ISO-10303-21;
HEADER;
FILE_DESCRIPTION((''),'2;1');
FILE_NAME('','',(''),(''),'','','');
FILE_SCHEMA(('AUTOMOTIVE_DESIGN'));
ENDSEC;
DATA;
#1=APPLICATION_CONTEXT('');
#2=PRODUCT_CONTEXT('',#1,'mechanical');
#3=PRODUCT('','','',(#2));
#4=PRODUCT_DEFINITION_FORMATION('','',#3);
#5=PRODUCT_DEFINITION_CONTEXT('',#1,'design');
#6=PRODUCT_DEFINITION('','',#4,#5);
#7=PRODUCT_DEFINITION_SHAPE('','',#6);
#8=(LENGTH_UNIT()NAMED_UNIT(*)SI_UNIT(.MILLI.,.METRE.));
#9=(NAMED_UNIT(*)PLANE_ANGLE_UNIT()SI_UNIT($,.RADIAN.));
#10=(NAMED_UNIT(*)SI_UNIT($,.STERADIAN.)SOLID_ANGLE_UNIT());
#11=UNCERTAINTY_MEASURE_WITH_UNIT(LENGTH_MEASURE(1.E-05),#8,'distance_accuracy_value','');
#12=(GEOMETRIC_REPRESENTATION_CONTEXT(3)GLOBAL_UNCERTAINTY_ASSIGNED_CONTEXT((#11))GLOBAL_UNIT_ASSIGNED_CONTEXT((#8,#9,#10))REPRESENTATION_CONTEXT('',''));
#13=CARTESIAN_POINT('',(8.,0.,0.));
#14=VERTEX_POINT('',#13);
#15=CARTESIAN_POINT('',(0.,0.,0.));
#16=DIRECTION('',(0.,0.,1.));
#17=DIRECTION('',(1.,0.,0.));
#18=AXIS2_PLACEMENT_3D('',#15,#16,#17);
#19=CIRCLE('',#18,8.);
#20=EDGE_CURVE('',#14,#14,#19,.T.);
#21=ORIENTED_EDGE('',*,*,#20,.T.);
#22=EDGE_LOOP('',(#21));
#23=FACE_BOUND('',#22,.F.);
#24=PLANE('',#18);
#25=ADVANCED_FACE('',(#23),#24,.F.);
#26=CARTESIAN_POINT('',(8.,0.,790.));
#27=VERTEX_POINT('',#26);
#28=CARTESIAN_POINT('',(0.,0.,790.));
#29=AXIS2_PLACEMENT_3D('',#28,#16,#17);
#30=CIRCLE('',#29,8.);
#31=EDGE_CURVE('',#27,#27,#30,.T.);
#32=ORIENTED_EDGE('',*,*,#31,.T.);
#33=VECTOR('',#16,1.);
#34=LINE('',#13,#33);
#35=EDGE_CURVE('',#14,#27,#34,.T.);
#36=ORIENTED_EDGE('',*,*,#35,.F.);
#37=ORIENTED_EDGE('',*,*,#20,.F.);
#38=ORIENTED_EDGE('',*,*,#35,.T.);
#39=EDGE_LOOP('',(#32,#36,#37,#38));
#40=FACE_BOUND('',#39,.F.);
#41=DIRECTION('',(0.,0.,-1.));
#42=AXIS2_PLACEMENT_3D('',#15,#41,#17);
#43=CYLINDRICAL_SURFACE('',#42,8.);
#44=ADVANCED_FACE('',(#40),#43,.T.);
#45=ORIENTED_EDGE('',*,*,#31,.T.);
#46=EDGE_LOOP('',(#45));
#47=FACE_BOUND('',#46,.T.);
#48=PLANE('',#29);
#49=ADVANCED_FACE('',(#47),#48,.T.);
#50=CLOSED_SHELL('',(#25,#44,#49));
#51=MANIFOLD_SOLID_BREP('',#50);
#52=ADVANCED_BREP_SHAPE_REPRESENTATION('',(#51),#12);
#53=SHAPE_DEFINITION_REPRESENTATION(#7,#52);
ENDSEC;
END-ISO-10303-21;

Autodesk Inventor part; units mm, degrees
ref_plane "YZ Plane" through (0, 0, 0) normal (1, 0, 0) x (0, 1, 0)
ref_plane "XZ Plane" through (0, 0, 0) normal (0, 1, 0) x (-1, 0, 0)
ref_plane "XY Plane" through (0, 0, 0) normal (0, 0, 1) x (1, 0, 0)
sketch "Esboço1" plane through (0, 0, 0) normal (0, 0, 1) x (1, 0, 0)
  circle A0 centre (0, 0) radius 8
  dimension "d0" = 16
extrude "Extrusão1" add sketch "Esboço1" along normal blind 790
properties part number "GuiaLinear_16mmx800mm"
